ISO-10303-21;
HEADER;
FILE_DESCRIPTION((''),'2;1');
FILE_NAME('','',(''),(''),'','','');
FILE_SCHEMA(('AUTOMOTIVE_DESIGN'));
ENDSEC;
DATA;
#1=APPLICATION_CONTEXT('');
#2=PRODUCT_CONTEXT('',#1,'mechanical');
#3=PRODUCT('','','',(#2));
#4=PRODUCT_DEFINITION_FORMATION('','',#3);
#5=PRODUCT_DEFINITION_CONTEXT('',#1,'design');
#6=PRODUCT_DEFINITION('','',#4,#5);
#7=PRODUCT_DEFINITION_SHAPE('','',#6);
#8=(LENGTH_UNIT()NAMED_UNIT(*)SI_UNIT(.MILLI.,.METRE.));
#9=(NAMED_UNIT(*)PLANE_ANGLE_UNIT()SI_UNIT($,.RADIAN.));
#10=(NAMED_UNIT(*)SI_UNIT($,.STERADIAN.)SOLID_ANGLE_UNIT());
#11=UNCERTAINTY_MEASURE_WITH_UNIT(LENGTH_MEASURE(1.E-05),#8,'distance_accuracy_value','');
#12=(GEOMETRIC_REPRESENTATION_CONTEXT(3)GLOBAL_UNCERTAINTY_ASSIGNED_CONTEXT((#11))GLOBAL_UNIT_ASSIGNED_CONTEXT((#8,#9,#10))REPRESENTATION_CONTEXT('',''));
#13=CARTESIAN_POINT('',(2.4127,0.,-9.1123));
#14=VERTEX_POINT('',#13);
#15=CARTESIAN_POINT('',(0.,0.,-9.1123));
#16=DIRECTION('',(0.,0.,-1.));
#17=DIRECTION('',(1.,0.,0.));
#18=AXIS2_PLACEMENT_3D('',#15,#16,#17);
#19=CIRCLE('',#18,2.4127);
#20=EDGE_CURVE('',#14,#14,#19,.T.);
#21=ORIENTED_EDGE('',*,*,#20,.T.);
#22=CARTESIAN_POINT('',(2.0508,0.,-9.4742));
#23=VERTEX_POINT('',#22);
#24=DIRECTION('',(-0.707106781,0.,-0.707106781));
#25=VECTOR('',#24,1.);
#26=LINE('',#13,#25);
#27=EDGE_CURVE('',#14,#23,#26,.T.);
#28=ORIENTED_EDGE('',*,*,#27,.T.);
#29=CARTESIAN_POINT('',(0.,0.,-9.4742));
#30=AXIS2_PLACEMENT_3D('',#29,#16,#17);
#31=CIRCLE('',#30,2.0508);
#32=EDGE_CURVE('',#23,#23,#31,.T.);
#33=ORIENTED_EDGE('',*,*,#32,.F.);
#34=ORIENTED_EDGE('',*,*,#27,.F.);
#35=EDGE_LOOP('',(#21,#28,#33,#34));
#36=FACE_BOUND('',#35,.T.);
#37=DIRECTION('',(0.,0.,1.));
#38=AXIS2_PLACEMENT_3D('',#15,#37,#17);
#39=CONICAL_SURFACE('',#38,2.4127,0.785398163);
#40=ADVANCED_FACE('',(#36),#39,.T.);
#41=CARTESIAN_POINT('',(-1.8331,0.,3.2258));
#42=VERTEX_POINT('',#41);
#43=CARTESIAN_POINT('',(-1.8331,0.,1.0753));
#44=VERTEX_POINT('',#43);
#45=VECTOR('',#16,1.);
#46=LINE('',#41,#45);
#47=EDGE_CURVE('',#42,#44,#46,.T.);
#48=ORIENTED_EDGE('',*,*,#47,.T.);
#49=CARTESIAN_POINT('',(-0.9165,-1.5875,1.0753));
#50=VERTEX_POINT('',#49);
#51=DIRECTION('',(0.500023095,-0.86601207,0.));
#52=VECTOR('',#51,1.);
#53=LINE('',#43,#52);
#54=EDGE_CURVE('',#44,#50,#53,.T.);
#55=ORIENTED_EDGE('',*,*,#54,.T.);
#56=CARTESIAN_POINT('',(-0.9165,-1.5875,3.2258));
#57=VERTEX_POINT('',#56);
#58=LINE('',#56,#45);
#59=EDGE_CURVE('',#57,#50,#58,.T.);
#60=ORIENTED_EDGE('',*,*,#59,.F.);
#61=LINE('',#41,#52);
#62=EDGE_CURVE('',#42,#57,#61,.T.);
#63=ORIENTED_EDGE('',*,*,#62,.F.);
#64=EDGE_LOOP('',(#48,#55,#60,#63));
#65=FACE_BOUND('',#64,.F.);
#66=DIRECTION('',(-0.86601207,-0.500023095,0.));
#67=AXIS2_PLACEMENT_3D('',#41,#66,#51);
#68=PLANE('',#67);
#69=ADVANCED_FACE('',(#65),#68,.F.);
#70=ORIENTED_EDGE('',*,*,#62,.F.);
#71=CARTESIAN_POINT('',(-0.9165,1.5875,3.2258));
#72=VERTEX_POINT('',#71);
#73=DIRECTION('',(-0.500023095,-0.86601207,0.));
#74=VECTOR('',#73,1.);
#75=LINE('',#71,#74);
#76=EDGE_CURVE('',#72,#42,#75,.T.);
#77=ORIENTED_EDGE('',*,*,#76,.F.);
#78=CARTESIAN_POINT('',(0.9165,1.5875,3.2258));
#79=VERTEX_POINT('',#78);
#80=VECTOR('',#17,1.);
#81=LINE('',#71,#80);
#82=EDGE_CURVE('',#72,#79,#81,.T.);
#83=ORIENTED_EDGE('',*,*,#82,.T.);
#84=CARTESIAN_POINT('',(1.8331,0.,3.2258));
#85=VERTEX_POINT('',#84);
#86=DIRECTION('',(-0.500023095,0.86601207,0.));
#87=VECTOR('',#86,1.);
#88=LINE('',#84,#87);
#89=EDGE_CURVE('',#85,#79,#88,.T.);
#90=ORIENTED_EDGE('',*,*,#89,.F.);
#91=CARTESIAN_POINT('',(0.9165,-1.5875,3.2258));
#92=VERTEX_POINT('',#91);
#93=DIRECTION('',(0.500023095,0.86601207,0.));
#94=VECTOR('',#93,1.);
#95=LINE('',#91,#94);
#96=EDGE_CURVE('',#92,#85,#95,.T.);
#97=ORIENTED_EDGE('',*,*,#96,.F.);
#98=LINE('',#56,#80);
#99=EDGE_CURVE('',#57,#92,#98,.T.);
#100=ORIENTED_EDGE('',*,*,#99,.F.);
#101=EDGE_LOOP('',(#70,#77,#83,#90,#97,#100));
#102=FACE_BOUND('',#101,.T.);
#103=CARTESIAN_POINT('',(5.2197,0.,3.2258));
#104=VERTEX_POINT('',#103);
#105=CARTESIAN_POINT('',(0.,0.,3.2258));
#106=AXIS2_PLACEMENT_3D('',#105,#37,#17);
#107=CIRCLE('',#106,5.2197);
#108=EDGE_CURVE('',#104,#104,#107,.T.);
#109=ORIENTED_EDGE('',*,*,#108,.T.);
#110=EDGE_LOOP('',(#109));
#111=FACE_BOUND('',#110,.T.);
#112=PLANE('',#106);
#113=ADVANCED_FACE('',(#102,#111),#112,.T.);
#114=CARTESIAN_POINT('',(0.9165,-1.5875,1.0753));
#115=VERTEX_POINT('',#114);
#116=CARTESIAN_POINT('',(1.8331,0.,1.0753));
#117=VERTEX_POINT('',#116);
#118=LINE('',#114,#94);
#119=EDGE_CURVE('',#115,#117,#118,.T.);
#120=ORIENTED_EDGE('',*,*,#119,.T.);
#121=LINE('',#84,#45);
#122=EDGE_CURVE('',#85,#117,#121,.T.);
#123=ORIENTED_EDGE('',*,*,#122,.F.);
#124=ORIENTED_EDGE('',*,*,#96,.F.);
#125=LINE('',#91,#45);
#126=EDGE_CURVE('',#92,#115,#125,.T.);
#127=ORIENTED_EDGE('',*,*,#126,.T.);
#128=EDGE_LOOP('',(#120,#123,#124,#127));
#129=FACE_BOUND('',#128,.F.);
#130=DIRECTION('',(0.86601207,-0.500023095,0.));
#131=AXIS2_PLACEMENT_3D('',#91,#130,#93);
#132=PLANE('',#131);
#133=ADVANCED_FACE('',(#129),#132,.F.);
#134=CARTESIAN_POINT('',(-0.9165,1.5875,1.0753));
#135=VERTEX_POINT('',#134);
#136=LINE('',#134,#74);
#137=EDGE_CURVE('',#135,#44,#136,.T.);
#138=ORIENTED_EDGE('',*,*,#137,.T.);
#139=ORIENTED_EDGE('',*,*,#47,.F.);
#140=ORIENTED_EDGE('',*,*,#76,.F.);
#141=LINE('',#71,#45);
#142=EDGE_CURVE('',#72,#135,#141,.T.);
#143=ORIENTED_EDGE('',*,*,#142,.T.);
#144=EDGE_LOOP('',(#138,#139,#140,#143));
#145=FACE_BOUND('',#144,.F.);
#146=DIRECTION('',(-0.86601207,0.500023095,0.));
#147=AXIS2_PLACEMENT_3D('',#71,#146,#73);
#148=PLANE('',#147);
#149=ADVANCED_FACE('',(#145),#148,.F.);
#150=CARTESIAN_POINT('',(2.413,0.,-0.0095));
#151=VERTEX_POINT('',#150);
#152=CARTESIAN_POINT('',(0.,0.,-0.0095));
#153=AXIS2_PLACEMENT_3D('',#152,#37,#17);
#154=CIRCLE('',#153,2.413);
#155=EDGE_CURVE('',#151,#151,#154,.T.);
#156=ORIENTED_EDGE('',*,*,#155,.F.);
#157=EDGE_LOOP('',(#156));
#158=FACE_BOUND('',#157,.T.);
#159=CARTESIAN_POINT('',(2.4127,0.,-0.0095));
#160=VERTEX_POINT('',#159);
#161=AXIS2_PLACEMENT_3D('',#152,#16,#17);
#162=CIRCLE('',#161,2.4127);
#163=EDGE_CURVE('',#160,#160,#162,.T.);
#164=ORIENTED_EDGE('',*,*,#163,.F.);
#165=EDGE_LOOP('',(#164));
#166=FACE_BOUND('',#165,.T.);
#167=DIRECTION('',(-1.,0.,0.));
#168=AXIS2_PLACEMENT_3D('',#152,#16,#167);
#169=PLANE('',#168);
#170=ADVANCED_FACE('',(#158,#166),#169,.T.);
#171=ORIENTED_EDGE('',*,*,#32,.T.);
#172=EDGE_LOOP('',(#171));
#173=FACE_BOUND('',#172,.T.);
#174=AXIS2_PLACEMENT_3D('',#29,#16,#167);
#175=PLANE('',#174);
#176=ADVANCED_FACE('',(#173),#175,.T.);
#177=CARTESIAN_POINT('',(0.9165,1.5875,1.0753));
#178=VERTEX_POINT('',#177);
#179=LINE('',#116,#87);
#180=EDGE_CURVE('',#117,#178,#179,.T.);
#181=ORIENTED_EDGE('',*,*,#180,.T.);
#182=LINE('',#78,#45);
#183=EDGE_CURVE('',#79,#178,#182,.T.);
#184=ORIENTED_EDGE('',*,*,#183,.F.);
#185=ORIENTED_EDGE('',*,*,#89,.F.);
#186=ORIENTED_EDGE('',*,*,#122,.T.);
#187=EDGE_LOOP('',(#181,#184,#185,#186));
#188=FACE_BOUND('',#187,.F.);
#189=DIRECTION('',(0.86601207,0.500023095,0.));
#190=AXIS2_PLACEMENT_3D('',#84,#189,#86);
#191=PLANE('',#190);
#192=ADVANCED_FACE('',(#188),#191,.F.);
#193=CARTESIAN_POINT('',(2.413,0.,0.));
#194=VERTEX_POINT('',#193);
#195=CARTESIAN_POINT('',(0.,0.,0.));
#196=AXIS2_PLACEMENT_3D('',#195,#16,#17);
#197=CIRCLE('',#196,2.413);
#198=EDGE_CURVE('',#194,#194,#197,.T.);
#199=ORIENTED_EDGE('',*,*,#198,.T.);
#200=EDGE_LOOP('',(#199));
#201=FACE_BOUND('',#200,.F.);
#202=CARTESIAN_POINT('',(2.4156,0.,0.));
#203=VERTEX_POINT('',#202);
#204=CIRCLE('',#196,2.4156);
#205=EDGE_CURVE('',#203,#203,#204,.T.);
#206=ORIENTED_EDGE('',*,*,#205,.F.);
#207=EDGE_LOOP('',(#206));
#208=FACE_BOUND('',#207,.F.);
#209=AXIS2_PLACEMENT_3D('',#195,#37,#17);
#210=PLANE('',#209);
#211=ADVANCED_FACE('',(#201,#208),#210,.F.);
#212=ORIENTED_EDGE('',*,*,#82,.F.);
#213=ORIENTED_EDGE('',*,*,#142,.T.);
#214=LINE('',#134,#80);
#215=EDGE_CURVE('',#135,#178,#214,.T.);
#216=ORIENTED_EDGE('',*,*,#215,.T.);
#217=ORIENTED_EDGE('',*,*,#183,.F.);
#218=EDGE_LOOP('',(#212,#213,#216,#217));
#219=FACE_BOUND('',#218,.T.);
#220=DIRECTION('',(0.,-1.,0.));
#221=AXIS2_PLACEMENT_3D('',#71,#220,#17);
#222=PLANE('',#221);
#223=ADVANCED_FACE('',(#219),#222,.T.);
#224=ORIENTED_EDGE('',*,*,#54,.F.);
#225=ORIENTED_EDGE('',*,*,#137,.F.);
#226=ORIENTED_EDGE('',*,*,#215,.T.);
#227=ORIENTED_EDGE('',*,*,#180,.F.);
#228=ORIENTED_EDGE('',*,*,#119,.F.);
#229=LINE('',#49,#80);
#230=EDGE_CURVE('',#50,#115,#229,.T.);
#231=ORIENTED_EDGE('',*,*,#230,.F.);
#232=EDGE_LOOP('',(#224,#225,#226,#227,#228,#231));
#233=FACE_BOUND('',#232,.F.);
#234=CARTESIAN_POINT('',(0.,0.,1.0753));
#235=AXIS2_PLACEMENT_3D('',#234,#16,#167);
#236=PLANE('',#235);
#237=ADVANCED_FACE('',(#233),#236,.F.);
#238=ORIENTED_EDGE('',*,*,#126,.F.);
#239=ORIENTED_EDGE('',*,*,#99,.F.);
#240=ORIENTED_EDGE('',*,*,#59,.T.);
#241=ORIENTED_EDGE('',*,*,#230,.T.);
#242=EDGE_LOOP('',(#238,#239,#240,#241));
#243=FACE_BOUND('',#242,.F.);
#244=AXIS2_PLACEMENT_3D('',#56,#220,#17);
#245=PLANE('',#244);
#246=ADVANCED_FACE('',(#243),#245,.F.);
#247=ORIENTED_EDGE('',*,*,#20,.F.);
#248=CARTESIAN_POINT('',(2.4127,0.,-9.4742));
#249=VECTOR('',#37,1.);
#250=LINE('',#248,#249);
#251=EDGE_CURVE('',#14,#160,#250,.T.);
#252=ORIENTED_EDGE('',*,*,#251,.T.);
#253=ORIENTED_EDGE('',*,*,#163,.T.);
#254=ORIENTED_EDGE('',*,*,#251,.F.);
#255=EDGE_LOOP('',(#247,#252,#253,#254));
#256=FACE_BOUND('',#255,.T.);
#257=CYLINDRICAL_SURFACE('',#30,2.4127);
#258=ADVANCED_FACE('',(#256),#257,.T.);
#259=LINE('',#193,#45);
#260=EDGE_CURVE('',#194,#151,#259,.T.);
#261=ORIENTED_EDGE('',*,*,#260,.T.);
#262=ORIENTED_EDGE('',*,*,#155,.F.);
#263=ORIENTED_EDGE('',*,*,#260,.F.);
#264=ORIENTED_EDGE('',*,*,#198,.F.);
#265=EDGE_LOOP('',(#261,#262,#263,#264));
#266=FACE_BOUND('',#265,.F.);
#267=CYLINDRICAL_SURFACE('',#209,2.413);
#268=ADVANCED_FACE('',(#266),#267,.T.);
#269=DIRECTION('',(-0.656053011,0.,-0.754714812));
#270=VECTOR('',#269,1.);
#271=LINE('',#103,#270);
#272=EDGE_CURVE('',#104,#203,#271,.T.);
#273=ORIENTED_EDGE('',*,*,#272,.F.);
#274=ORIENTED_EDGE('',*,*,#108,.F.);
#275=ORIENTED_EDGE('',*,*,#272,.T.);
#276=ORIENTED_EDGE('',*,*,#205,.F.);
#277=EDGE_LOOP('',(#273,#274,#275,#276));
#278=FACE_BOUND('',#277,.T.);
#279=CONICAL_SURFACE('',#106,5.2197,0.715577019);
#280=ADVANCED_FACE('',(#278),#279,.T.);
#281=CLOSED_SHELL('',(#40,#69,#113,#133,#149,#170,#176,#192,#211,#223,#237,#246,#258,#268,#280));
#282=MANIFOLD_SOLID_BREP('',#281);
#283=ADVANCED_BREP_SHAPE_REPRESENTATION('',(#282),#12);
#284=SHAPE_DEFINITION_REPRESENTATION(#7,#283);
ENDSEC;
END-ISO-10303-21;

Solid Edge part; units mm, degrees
sketch "Sketch1" plane through (0, 0, 0) normal (0, 0, 1) x (1, 0, 0)
  circle A0 centre (0, 0) radius 5.2197
  dimension "D1" = 10.4394
extrude "Protrusion1" add sketch "Sketch1" along normal blind 3.2258
sketch "Sketch2" plane through (0, 0, 0) normal (0, 0, -1) x (1, 0, 0)
  circle A0 centre (0, 0) radius 2.413
extrude "Protrusion2" add sketch "Sketch2" along normal blind 9.4742
sketch "Sketch3" plane through (0, 0, -9.4742) normal (0, 0, -1) x (1, 0, 0)
  circle A0 centre (0, 0) radius 2.4127
extrude "Cutout1" cut sketch "Sketch3" against normal blind 9.4647 flip side to cut
chamfer "Chamfer_1" distance 0.3619 angle 45 1 edges at (-2.4127, 0, -9.4742)
sketch "Sketch4" plane through (0, 0, 3.2258) normal (0, 0, 1) x (1, 0, 0)
  line L0 (-0.9165, 1.5875) -> (0.9165, 1.5875)
  line L1 (1.8331, 0) -> (0.9165, 1.5875)
  line L2 (0.9165, -1.5875) -> (1.8331, 0)
  line L3 (-0.9165, -1.5875) -> (0.9165, -1.5875)
  line L4 (-1.8331, 0) -> (-0.9165, -1.5875)
  line L5 (-0.9165, 1.5875) -> (-1.8331, 0)
  dimension "D1" = 3.175
extrude "Cutout2" cut sketch "Sketch4" against normal blind 2.1505
sketch "Sketch5" plane through (0, 0, 0) normal (0, -1, 0) x (1, 0, 0)
  line L0 (5.2197, 3.2258) -> (2.4156, 0)
  line L1 (2.4156, 0) -> (5.2197, 0)
  line L2 (5.2197, 0) -> (5.2197, 3.2258)
revolve "RevolvedCutout1" cut sketch "Sketch5" angle 360 about axis through (0, 0, 14.0017) along (0, 0, -1)
properties part number "24103210"
